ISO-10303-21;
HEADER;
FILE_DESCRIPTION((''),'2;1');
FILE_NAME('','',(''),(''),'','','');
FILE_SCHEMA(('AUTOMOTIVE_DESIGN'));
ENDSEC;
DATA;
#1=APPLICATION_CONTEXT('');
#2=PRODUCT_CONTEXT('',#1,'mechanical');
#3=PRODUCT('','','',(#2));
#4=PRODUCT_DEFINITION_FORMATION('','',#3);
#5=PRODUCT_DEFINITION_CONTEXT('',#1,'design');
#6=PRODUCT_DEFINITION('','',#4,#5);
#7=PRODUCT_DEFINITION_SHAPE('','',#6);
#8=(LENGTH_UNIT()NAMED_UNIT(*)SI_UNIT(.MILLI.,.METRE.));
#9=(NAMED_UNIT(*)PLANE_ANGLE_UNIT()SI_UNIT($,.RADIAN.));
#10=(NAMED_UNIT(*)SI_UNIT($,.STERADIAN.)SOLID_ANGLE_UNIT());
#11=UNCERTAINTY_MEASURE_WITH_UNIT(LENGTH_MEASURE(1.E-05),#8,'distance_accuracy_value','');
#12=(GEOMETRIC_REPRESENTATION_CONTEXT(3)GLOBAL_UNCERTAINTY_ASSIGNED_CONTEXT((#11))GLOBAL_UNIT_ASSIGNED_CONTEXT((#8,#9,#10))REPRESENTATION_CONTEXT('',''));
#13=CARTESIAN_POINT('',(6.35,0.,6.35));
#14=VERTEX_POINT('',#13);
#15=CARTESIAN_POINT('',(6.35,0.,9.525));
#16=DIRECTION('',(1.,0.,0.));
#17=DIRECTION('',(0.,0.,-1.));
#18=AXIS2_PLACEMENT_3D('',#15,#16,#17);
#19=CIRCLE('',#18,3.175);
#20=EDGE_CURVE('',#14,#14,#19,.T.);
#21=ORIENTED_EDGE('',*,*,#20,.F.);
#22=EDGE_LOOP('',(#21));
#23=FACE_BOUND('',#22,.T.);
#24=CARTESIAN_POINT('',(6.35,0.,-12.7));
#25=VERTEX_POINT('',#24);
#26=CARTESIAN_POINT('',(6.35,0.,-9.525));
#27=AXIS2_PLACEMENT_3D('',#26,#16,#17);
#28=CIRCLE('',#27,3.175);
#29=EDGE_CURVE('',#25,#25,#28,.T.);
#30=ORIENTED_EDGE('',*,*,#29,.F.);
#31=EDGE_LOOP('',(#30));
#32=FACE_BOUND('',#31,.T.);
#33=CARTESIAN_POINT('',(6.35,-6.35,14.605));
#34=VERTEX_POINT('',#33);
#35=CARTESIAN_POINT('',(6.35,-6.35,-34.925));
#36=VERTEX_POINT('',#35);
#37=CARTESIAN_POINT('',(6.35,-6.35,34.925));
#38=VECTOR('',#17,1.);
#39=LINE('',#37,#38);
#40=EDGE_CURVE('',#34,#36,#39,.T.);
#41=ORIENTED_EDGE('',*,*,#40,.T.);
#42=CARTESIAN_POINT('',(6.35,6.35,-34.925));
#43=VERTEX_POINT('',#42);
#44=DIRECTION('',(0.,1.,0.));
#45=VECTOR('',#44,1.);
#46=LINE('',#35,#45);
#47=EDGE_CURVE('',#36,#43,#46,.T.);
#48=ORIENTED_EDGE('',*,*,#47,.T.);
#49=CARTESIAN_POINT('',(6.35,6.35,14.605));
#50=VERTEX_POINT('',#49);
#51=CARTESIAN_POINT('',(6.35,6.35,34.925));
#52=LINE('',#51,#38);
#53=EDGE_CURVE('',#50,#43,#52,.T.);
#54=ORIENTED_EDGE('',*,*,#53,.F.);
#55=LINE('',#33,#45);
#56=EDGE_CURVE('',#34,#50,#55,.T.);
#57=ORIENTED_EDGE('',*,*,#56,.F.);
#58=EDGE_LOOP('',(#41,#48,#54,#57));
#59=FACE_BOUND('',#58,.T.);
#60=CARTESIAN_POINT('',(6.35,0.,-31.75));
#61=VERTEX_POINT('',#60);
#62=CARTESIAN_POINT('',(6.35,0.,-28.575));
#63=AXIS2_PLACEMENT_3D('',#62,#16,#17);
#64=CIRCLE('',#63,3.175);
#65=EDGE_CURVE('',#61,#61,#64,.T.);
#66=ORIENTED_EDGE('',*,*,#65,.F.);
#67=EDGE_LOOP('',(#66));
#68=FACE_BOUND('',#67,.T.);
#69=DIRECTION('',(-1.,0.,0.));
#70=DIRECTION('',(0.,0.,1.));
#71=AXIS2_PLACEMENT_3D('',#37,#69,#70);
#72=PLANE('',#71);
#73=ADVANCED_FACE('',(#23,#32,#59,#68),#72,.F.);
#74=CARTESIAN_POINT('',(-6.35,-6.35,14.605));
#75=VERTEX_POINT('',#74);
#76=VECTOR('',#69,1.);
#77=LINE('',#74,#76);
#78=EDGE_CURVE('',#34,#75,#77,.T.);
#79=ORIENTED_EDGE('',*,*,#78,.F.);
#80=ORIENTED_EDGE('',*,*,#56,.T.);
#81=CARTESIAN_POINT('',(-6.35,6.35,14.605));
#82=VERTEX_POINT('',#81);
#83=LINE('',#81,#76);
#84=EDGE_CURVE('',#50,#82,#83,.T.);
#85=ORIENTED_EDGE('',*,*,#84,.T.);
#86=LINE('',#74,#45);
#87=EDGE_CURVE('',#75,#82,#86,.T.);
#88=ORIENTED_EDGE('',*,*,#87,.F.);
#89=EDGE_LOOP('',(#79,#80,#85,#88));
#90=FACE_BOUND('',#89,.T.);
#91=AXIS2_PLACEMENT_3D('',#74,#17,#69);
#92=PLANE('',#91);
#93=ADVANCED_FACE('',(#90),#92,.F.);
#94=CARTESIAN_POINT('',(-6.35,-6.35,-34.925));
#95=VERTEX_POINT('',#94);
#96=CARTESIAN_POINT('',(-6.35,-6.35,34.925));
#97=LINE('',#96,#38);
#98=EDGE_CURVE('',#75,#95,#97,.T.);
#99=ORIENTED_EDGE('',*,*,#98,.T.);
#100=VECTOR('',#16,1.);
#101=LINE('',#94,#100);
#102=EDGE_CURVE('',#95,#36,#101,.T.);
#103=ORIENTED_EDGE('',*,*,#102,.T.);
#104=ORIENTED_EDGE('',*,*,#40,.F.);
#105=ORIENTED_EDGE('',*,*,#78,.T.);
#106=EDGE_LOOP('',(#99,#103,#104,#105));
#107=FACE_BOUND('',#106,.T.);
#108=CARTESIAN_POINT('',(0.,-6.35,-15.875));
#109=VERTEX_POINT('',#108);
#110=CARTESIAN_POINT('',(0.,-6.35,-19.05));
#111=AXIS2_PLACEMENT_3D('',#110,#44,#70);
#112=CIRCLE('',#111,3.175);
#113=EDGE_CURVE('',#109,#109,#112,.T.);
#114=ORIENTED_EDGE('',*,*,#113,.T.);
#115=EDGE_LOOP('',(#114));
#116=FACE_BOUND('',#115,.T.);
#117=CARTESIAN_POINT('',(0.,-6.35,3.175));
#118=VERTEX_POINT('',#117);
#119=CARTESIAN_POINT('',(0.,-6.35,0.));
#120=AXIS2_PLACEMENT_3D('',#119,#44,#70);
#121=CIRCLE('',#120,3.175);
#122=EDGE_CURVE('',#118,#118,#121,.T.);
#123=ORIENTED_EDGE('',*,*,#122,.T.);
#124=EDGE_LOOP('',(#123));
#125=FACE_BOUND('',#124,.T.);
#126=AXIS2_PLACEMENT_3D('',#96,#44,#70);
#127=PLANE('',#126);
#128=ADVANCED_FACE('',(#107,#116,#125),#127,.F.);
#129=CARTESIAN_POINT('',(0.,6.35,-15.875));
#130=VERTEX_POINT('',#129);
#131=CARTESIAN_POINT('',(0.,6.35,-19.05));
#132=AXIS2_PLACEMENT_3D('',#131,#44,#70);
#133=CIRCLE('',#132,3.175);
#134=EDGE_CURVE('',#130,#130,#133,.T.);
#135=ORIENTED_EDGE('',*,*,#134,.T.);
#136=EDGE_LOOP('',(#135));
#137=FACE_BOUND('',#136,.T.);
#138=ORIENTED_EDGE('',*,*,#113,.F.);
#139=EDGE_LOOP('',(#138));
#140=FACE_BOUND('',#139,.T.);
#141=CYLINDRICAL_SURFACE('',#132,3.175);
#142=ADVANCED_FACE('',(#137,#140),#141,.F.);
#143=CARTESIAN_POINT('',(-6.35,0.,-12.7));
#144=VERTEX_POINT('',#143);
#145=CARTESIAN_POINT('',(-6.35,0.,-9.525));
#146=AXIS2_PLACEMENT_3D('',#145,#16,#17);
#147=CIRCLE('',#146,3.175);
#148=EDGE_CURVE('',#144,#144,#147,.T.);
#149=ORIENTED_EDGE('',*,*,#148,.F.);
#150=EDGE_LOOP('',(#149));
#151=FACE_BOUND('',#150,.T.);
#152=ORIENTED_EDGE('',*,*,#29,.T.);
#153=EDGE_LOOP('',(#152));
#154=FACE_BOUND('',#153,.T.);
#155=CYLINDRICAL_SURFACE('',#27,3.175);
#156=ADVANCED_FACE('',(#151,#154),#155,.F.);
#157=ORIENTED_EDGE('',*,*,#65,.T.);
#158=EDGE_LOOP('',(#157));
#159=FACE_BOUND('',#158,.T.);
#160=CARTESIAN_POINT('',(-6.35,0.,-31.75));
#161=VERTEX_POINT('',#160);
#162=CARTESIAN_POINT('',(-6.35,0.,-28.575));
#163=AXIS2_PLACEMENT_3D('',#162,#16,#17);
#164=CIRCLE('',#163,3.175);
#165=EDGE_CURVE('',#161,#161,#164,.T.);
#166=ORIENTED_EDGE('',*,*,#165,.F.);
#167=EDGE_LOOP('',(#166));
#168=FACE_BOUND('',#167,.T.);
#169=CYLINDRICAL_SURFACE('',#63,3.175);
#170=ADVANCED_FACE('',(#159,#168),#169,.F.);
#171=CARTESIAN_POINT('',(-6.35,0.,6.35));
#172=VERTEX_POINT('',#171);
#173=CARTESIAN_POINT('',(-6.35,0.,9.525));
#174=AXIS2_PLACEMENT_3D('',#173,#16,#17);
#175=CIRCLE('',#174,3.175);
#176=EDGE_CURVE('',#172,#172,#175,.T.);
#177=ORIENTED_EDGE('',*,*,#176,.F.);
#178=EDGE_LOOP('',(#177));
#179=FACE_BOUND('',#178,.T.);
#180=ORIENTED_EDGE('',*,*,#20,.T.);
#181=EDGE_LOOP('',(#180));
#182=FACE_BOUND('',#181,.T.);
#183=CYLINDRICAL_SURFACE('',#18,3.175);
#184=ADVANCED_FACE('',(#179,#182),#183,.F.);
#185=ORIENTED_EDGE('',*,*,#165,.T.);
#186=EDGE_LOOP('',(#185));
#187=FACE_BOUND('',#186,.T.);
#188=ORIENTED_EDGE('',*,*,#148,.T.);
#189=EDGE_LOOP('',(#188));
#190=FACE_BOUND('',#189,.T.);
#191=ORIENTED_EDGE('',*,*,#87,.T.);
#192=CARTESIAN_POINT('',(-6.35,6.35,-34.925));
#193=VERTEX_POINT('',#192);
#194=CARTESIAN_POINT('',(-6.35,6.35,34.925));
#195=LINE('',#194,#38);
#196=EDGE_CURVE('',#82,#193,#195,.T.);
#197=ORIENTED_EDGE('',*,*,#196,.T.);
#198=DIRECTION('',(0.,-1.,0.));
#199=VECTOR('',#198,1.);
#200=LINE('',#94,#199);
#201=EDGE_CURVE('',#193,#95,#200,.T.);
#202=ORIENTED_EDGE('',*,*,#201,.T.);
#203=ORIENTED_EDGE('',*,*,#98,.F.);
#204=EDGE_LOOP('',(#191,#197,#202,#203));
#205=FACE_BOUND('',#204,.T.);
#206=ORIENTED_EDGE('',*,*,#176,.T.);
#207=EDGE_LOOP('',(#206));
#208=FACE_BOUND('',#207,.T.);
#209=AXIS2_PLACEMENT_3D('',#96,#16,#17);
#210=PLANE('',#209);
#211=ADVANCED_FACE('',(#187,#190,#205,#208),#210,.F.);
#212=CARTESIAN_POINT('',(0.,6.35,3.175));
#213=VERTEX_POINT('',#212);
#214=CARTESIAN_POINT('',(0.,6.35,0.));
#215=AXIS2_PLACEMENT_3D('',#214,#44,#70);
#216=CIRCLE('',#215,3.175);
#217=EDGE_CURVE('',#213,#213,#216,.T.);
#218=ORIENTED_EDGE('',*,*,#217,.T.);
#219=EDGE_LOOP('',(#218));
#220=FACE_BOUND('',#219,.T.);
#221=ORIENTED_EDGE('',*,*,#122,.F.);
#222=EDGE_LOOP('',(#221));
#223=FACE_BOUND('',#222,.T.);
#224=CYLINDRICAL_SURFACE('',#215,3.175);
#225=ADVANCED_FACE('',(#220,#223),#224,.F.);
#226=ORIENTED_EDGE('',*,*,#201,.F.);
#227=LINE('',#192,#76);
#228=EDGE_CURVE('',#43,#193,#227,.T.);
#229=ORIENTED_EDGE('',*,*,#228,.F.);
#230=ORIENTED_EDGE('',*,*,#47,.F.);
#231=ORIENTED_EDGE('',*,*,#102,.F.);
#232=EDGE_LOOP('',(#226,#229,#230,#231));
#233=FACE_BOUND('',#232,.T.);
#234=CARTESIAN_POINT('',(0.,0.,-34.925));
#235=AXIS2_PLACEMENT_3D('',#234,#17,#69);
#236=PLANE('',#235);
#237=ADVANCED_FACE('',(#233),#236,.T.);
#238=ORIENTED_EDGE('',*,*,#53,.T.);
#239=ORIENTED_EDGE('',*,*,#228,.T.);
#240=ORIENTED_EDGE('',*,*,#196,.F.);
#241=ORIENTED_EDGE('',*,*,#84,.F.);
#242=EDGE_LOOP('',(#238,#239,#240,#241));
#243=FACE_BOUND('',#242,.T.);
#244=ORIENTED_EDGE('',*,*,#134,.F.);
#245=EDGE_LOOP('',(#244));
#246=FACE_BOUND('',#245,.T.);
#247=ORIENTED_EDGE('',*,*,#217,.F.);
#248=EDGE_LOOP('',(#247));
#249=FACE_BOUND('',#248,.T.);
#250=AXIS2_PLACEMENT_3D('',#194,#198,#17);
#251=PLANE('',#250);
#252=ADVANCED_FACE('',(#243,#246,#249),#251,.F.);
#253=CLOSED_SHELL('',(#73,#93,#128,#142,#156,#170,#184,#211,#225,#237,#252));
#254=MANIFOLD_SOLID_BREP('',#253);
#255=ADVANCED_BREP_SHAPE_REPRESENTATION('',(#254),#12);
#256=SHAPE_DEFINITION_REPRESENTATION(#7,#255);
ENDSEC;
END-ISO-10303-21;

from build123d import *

# Parameters (mm, degrees)
SKETCH1_W               = 12.7
SKETCH1_H               = 12.7
BOSS_EXTRUDE1_DEPTH     = 34.925
F_1_4_20_TAPPED_HOLE1_D = 6.35
F_1_4_20_TAPPED_HOLE2_D = 6.35
SKETCH6_W               = 12.7
SKETCH6_H               = 20.32
CUT_EXTRUDE1_DEPTH      = 13.7


with BuildPart() as part:
    # Sketch1 → Boss-Extrude1 (new body, symmetric)
    with BuildSketch(Plane.XY):
        Rectangle(SKETCH1_W, SKETCH1_H)
    extrude(amount=BOSS_EXTRUDE1_DEPTH, both=True)

    # 1/4-20 Tapped Hole1 (through all)
    with Locations(Plane(origin=(0, 6.35, 0), x_dir=(1, 0, 0), z_dir=(0, 1, 0))):
        with Locations((0, 0), (0, 19.05), (0, -19.05)):
            Hole(F_1_4_20_TAPPED_HOLE1_D / 2)

    # 1/4-20 Tapped Hole2 (through all)
    with Locations(Plane(origin=(6.35, 0, 0), x_dir=(0, 0, -1), z_dir=(1, 0, 0))):
        with Locations((9.525, 0), (28.575, 0), (-9.525, 0), (-28.575, 0)):
            Hole(F_1_4_20_TAPPED_HOLE2_D / 2)

    # Sketch6 → Cut-Extrude1 (cut, through all)
    with BuildSketch(Plane(origin=(0, 6.35, 0), x_dir=(1, 0, 0), z_dir=(0, 1, 0))):
        with Locations((0, -24.765)):
            Rectangle(SKETCH6_W, SKETCH6_H)
    extrude(amount=-CUT_EXTRUDE1_DEPTH, mode=Mode.SUBTRACT)


solid = part.part
